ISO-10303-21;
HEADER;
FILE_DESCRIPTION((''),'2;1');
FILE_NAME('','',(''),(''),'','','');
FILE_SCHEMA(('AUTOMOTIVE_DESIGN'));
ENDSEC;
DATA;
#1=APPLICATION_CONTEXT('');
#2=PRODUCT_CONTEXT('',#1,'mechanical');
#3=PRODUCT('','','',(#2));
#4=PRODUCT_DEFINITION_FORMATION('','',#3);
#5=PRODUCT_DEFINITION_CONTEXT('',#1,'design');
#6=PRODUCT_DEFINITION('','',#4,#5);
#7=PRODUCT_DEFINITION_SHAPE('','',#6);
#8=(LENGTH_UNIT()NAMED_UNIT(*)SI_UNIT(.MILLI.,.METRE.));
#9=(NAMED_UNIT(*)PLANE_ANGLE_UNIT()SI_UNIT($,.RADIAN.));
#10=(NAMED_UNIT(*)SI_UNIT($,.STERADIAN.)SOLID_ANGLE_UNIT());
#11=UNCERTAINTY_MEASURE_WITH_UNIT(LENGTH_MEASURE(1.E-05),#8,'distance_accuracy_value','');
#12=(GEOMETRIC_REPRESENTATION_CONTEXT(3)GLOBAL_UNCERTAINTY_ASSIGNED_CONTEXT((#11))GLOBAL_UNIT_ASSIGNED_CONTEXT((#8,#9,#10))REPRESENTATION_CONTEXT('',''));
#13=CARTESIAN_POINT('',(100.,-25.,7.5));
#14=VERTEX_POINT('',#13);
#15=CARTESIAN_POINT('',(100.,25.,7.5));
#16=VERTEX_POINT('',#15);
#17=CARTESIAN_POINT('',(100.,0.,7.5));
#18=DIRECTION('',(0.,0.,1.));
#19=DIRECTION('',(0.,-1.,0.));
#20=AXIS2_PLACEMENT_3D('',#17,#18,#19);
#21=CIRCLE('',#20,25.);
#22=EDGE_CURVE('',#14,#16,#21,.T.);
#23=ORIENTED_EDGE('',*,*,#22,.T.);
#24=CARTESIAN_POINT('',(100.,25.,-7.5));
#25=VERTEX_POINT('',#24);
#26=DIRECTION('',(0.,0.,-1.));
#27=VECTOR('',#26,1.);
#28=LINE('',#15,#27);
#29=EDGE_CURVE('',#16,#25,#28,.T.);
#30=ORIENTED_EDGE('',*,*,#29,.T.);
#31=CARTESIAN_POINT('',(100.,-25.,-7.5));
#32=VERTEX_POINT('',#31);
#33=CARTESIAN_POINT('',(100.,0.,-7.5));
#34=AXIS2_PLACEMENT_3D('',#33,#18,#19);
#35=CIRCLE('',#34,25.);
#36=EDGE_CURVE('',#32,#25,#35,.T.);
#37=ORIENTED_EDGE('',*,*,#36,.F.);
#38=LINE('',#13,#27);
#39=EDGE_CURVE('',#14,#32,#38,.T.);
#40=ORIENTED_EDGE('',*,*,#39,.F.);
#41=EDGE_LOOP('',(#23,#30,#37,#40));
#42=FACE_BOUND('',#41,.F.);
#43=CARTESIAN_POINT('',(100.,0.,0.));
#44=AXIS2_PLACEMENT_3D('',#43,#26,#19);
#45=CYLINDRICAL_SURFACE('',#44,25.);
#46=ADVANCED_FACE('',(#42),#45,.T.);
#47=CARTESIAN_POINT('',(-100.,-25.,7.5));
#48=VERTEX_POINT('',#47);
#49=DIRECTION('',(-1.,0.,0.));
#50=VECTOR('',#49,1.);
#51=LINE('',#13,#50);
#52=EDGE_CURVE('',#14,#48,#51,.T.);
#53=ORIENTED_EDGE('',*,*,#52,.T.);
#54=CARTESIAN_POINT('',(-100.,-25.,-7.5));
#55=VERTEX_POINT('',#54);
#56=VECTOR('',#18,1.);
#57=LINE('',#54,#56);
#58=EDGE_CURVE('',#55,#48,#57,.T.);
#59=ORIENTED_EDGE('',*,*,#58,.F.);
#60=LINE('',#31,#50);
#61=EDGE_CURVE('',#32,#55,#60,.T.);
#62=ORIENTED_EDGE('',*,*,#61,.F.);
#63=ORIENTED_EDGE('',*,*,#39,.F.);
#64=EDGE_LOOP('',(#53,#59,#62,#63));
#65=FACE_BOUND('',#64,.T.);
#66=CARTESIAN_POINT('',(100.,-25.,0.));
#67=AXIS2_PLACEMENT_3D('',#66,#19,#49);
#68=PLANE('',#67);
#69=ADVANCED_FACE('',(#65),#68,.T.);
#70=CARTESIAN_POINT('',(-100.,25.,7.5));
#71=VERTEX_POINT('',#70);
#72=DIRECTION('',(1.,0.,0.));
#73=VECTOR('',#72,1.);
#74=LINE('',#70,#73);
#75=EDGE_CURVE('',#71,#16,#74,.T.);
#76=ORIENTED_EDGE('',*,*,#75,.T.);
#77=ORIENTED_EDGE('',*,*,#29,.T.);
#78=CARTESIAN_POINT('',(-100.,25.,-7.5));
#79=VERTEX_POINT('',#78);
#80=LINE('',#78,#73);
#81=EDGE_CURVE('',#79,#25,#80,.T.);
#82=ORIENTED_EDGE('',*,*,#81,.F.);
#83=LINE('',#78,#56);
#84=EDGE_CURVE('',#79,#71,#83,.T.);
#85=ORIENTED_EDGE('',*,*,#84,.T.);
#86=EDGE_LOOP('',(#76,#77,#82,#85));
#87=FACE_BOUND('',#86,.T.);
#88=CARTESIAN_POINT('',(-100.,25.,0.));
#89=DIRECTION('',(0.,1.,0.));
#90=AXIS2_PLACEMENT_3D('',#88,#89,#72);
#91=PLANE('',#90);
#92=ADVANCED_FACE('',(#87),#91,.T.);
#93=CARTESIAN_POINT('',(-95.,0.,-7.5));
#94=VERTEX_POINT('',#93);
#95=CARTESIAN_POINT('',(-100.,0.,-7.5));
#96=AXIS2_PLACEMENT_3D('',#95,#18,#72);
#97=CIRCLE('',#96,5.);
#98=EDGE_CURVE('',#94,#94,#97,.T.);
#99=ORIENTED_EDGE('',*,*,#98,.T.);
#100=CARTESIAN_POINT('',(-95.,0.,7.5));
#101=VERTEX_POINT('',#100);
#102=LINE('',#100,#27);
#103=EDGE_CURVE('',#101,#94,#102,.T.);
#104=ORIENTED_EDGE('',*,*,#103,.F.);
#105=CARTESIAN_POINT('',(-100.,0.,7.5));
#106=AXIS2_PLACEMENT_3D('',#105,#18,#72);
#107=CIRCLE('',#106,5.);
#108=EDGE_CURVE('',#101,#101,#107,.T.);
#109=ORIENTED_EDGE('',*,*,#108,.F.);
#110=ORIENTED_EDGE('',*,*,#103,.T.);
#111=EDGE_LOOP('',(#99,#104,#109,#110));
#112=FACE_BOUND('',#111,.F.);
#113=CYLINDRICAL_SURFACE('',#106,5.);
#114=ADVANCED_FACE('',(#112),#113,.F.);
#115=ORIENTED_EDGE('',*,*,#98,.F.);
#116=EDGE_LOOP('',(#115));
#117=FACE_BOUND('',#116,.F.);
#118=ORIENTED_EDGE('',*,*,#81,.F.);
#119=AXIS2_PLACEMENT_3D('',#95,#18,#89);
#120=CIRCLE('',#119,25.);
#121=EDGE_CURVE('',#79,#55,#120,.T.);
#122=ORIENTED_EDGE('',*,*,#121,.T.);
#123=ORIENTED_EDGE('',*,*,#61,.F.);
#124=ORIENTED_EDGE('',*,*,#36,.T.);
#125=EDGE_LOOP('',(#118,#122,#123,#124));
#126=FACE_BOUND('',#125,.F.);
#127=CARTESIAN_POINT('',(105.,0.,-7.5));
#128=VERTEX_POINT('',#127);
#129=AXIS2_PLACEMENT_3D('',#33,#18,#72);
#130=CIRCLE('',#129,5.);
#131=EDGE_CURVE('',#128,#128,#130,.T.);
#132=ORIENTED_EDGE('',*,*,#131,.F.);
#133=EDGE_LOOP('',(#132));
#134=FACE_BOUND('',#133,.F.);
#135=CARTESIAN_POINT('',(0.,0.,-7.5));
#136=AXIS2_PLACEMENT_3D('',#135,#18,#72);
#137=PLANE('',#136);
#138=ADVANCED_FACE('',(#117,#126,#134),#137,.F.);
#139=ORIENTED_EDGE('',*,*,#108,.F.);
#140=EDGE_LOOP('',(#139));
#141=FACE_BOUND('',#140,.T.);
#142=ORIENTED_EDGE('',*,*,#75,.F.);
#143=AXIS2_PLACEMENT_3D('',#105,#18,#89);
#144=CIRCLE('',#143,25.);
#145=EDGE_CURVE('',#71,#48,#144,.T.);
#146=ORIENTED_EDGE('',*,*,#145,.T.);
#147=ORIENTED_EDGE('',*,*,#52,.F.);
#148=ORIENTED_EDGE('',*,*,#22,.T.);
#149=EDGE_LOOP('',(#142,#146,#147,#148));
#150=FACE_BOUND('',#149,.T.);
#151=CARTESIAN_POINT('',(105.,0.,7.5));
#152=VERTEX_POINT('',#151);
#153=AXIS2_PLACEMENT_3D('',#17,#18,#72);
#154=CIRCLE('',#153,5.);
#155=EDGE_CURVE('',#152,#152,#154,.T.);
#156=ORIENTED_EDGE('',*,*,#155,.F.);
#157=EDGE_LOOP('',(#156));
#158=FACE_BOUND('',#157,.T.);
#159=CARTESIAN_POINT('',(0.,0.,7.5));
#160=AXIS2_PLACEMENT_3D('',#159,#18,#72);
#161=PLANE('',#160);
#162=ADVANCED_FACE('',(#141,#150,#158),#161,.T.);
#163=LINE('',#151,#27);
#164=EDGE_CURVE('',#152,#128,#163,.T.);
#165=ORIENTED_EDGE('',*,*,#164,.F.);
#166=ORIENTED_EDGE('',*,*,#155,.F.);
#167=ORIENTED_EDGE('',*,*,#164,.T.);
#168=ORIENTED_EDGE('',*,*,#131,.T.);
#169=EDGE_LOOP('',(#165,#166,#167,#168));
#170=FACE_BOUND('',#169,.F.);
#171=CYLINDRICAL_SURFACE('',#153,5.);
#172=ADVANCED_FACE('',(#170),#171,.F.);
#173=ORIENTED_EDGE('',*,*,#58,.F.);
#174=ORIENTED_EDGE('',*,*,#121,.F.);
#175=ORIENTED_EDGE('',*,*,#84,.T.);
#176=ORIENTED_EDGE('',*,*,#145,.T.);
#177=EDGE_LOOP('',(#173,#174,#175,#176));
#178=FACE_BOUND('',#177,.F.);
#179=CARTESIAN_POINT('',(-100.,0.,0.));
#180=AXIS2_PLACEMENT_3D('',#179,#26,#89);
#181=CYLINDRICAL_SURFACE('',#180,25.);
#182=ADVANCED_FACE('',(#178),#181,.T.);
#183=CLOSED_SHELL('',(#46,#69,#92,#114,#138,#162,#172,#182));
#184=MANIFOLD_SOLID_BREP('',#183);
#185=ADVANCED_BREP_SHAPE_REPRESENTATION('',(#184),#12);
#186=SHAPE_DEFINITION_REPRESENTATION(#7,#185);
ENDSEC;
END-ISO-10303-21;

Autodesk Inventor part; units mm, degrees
ref_plane "YZ Plane" through (0, 0, 0) normal (1, 0, 0) x (0, 1, 0)
ref_plane "XZ Plane" through (0, 0, 0) normal (0, 1, 0) x (-1, 0, 0)
ref_plane "XY Plane" through (0, 0, 0) normal (0, 0, 1) x (1, 0, 0)
sketch "スケッチ1" plane through (0, 0, 0) normal (0, 0, 1) x (1, 0, 0)
  line L0 (-100, 25) -> (100, 25)
  line L1 (100, 25) -> (100, -25)
  line L2 (100, -25) -> (-100, -25)
  line L3 (-100, -25) -> (-100, 25)
  arc A0 (-100, 25) -> (-100, -25) centre (-100, 0) ccw
  arc A1 (100, -25) -> (100, 25) centre (100, 0) ccw
  point P0 (0, 0)
  dimension "d0" = 200
  dimension "d1" = 50
  dimension "d2" = 25
  dimension "d3" = 100
extrude "押し出し1" add sketch "スケッチ1" along normal mid plane 15
sketch "スケッチ2" plane through (0, 0, 7.5) normal (0, 0, 1) x (1, 0, 0)
  line L0 (100, 25) -> (-100, 25) projected
  line L1 (-100, -25) -> (100, -25) projected
  arc A0 (-100, 25) -> (-100, -25) centre (-100, 0) ccw projected
  arc A1 (100, -25) -> (100, 25) centre (100, 0) ccw projected
  circle A2 centre (-100, 0) radius 5
  circle A3 centre (100, 0) radius 5
  point P0 (0, 0)
  dimension "d6" = 10
  dimension "d7" = 10
extrude "押し出し2" cut sketch "スケッチ2" against normal through all contours A2 | A3
equation "\"d2\" = 0.5 * d1"
equation "\"d3\" = 0.5 * d0"
properties part number "Arm1" material "アルミニウム 6061"
